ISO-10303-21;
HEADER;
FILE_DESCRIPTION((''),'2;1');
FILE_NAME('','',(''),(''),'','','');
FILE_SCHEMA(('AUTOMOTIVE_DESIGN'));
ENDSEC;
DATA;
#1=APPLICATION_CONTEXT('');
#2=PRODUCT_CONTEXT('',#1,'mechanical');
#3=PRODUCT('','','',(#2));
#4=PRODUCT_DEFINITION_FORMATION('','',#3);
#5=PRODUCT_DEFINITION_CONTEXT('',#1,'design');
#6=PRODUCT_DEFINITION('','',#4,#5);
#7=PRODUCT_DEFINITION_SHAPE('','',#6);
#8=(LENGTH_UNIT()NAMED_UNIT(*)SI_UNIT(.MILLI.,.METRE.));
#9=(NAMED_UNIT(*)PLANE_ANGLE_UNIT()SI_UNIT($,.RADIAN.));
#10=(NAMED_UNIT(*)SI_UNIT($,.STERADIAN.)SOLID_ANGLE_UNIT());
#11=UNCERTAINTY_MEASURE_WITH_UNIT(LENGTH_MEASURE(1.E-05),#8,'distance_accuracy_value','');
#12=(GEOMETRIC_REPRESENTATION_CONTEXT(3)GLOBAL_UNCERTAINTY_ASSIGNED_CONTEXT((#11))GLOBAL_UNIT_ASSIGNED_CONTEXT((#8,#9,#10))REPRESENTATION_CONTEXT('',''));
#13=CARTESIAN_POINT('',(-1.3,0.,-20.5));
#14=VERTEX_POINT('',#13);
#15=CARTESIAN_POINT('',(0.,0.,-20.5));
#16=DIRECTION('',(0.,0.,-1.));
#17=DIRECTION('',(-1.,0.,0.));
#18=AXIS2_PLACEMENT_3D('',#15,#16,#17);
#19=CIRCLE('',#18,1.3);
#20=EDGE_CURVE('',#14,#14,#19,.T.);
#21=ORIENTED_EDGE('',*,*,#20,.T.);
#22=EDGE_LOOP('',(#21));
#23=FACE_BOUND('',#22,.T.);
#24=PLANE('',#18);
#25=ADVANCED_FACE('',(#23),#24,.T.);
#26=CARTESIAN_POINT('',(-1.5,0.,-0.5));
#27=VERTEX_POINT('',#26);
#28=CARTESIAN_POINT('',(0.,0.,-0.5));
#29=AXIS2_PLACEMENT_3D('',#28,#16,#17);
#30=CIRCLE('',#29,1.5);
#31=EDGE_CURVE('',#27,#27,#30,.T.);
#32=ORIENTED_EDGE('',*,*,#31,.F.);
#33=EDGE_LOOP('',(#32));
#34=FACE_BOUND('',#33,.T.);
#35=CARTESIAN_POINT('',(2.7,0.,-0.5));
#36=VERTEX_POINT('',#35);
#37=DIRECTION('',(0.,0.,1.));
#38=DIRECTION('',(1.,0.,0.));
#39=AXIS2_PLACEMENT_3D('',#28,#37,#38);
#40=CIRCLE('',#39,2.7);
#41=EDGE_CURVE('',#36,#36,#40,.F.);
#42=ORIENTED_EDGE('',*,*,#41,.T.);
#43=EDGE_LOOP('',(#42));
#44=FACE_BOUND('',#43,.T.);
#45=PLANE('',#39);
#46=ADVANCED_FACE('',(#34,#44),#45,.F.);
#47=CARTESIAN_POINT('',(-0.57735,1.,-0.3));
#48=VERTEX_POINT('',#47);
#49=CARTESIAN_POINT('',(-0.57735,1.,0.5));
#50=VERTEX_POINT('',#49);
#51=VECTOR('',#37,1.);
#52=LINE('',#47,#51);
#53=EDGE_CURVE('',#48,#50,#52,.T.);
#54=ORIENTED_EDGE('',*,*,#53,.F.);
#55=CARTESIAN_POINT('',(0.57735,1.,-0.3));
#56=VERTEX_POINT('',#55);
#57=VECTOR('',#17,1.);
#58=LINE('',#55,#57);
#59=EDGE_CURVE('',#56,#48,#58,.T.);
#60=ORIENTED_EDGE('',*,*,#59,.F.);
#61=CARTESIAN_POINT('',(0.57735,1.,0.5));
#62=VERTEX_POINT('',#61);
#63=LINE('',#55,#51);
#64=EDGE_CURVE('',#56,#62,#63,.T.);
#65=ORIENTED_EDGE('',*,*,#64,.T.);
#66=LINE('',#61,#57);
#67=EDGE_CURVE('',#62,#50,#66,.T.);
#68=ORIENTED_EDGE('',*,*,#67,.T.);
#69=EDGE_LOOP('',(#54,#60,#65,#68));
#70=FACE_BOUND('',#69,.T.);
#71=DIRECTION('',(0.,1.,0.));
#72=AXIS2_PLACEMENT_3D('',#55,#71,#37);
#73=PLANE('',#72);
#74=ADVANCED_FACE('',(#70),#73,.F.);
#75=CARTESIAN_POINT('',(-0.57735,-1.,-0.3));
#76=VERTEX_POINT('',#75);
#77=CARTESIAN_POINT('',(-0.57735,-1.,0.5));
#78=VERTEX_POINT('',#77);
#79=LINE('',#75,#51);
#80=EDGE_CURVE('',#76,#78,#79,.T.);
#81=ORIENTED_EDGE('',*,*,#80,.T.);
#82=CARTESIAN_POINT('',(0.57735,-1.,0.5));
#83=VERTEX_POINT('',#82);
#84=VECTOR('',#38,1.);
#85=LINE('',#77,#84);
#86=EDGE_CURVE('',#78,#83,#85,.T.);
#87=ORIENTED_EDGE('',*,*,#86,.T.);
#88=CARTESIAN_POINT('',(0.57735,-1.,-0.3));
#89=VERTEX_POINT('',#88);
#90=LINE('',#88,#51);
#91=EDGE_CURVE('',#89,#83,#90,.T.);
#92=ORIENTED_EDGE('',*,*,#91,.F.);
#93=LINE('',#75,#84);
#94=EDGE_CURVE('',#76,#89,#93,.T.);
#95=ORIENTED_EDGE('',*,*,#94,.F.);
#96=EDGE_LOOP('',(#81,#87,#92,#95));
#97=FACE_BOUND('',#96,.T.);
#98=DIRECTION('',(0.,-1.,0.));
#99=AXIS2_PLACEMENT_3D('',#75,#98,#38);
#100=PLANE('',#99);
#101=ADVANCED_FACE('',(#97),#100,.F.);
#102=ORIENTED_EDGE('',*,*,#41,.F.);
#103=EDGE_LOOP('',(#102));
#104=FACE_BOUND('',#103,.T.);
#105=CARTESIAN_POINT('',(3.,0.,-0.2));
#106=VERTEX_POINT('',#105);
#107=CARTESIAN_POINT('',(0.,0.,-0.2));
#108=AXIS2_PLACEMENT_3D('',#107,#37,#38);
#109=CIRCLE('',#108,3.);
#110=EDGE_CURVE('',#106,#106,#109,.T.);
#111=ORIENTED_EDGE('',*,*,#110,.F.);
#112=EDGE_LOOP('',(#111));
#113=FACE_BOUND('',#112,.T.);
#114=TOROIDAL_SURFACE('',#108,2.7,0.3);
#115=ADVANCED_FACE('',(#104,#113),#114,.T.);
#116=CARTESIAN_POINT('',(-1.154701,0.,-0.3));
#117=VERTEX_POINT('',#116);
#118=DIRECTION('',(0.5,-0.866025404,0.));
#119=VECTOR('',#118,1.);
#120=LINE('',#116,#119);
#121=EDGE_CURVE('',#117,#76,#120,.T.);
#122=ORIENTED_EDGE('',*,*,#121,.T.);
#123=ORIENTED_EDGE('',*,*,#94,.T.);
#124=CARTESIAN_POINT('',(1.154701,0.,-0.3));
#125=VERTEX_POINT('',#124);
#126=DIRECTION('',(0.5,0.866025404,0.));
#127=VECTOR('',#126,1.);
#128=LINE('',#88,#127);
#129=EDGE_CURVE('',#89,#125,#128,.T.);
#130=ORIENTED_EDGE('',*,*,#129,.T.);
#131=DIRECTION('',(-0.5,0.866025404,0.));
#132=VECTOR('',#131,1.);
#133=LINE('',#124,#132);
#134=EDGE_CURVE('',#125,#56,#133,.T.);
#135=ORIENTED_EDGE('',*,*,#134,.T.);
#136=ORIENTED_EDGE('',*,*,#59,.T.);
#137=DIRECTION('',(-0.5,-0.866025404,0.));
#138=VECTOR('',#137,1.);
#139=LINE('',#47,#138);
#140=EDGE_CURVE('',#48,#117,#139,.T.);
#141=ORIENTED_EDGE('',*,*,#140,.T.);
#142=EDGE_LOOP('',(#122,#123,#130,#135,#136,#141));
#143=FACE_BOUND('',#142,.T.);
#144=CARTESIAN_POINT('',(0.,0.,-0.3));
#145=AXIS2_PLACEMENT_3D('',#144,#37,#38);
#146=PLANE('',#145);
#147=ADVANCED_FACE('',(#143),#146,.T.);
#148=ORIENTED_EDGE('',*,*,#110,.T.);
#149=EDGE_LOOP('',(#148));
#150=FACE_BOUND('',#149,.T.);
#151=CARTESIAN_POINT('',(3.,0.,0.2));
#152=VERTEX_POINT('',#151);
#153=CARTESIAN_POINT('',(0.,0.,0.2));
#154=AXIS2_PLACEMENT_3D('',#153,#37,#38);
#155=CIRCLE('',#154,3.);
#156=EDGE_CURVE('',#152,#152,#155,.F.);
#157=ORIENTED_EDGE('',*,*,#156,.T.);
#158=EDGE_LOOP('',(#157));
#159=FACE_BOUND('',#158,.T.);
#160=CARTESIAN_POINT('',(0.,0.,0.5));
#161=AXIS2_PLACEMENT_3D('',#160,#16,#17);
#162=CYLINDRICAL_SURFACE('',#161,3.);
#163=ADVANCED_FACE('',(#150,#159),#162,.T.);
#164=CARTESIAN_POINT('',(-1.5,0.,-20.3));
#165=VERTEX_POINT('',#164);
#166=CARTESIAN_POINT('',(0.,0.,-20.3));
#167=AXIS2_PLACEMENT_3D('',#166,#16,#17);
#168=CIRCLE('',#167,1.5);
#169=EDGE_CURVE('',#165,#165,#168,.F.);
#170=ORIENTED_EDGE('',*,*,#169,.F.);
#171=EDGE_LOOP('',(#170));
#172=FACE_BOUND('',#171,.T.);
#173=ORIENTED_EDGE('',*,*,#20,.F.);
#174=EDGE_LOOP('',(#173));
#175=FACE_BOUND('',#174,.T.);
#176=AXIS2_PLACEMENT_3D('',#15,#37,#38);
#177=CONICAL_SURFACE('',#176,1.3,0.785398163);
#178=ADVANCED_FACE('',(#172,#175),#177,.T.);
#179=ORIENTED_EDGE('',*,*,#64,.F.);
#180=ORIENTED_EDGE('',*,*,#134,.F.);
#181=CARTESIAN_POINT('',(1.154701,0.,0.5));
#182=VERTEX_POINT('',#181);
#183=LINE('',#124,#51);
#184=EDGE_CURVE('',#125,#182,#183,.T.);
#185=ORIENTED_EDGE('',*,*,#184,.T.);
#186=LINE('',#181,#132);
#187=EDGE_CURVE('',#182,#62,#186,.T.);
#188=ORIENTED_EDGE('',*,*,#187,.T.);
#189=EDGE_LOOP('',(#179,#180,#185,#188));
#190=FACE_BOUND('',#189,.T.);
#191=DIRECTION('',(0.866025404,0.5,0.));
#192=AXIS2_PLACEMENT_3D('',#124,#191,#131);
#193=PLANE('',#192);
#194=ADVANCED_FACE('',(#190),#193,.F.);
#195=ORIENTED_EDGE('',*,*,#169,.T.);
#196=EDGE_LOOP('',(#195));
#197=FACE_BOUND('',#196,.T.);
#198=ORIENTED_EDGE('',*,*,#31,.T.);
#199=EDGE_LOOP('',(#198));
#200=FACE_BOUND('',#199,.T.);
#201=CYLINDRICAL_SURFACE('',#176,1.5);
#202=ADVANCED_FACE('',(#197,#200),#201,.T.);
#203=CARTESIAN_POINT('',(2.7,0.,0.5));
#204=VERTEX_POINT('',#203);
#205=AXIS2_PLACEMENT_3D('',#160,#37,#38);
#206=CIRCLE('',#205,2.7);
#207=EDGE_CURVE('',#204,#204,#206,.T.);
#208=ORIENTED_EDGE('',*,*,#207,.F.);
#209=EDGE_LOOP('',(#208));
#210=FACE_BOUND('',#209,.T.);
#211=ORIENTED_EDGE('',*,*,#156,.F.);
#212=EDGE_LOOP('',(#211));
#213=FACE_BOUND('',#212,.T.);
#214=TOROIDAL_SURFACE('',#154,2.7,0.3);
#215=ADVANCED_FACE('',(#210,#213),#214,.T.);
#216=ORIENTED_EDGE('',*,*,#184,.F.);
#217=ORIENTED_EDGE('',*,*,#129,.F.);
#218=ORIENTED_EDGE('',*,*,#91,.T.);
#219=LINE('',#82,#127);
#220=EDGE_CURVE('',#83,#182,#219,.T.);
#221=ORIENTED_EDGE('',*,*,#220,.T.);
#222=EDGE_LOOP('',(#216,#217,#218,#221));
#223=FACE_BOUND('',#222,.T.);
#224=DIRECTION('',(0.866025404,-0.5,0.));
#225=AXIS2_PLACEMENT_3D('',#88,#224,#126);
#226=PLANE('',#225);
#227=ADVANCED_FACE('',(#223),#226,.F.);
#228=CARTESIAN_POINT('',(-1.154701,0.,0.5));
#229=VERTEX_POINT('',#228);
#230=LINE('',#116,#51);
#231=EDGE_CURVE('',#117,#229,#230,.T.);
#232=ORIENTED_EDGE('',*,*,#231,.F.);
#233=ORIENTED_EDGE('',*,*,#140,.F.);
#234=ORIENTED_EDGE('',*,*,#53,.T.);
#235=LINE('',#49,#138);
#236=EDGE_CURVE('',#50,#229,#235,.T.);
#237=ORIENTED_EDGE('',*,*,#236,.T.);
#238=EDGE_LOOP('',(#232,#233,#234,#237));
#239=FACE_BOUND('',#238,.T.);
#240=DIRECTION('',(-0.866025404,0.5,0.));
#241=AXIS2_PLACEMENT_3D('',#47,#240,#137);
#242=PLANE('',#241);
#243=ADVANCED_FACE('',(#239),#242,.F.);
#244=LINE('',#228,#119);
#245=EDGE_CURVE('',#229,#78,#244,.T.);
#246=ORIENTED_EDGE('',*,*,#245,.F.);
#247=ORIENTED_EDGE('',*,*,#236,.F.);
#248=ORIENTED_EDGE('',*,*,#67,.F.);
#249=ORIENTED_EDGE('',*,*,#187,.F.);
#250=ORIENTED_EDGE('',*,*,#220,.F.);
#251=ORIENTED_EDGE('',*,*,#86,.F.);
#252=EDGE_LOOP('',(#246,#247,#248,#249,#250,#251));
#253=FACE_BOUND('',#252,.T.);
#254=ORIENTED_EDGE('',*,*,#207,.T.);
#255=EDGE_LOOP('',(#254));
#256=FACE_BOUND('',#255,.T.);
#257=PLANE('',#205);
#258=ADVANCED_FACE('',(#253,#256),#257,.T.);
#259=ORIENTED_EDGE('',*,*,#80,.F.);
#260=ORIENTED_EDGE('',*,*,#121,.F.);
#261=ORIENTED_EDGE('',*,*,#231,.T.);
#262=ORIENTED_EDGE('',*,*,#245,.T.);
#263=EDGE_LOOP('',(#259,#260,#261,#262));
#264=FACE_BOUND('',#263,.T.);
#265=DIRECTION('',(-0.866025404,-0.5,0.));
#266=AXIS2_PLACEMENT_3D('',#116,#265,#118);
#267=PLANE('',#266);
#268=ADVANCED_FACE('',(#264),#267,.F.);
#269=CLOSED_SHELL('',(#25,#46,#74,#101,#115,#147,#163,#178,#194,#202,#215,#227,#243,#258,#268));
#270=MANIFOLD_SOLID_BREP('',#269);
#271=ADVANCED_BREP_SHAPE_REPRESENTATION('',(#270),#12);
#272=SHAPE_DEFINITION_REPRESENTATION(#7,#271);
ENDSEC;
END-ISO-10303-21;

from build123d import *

# Parameters (mm, degrees)
SKETCH_1_R          = 3
EXTRUDE_1_DEPTH     = 0.5
SKETCH_2_R          = 1.5
EXTRUDE_2_DEPTH     = 20
CHAMFER_1_SIZE      = 0.2
CUT_EXTRUDE_1_DEPTH = 0.8
FILLET_2_R          = 0.3


with BuildPart() as part:
    # 草图1 → 凸台-拉伸1 (new, symmetric)
    with BuildSketch(Plane.XY):
        Circle(SKETCH_1_R)
    extrude(amount=EXTRUDE_1_DEPTH, both=True)

    # 草图2 → 凸台-拉伸2 (add)
    with BuildSketch(Plane(origin=(0, 0, -0.5), x_dir=(-1, 0, 0), z_dir=(0, 0, -1))):
        Circle(SKETCH_2_R)
    extrude(amount=EXTRUDE_2_DEPTH)

    # 倒角1
    chamfer_1_edges = [part.edges().sort_by_distance(p)[0] for p in [
        (1.5, 0, -20.5),
    ]]
    chamfer(chamfer_1_edges, length=CHAMFER_1_SIZE)

    # 草图3 → 切除-拉伸1 (cut)
    with BuildSketch(Plane.XY.offset(0.5)):
        Polygon((1.154700538, 0), (0.577350269, 1), (-0.577350269, 1), (-1.154700538, 0), (-0.577350269, -1), (0.577350269, -1), align=None)
    extrude(amount=-CUT_EXTRUDE_1_DEPTH, mode=Mode.SUBTRACT)

    # 圆角2
    fillet_2_edges = [part.edges().sort_by_distance(p)[0] for p in [
        (-3, 0, -0.5),
        (-3, 0, 0.5),
    ]]
    fillet(fillet_2_edges, radius=FILLET_2_R)


solid = part.part
